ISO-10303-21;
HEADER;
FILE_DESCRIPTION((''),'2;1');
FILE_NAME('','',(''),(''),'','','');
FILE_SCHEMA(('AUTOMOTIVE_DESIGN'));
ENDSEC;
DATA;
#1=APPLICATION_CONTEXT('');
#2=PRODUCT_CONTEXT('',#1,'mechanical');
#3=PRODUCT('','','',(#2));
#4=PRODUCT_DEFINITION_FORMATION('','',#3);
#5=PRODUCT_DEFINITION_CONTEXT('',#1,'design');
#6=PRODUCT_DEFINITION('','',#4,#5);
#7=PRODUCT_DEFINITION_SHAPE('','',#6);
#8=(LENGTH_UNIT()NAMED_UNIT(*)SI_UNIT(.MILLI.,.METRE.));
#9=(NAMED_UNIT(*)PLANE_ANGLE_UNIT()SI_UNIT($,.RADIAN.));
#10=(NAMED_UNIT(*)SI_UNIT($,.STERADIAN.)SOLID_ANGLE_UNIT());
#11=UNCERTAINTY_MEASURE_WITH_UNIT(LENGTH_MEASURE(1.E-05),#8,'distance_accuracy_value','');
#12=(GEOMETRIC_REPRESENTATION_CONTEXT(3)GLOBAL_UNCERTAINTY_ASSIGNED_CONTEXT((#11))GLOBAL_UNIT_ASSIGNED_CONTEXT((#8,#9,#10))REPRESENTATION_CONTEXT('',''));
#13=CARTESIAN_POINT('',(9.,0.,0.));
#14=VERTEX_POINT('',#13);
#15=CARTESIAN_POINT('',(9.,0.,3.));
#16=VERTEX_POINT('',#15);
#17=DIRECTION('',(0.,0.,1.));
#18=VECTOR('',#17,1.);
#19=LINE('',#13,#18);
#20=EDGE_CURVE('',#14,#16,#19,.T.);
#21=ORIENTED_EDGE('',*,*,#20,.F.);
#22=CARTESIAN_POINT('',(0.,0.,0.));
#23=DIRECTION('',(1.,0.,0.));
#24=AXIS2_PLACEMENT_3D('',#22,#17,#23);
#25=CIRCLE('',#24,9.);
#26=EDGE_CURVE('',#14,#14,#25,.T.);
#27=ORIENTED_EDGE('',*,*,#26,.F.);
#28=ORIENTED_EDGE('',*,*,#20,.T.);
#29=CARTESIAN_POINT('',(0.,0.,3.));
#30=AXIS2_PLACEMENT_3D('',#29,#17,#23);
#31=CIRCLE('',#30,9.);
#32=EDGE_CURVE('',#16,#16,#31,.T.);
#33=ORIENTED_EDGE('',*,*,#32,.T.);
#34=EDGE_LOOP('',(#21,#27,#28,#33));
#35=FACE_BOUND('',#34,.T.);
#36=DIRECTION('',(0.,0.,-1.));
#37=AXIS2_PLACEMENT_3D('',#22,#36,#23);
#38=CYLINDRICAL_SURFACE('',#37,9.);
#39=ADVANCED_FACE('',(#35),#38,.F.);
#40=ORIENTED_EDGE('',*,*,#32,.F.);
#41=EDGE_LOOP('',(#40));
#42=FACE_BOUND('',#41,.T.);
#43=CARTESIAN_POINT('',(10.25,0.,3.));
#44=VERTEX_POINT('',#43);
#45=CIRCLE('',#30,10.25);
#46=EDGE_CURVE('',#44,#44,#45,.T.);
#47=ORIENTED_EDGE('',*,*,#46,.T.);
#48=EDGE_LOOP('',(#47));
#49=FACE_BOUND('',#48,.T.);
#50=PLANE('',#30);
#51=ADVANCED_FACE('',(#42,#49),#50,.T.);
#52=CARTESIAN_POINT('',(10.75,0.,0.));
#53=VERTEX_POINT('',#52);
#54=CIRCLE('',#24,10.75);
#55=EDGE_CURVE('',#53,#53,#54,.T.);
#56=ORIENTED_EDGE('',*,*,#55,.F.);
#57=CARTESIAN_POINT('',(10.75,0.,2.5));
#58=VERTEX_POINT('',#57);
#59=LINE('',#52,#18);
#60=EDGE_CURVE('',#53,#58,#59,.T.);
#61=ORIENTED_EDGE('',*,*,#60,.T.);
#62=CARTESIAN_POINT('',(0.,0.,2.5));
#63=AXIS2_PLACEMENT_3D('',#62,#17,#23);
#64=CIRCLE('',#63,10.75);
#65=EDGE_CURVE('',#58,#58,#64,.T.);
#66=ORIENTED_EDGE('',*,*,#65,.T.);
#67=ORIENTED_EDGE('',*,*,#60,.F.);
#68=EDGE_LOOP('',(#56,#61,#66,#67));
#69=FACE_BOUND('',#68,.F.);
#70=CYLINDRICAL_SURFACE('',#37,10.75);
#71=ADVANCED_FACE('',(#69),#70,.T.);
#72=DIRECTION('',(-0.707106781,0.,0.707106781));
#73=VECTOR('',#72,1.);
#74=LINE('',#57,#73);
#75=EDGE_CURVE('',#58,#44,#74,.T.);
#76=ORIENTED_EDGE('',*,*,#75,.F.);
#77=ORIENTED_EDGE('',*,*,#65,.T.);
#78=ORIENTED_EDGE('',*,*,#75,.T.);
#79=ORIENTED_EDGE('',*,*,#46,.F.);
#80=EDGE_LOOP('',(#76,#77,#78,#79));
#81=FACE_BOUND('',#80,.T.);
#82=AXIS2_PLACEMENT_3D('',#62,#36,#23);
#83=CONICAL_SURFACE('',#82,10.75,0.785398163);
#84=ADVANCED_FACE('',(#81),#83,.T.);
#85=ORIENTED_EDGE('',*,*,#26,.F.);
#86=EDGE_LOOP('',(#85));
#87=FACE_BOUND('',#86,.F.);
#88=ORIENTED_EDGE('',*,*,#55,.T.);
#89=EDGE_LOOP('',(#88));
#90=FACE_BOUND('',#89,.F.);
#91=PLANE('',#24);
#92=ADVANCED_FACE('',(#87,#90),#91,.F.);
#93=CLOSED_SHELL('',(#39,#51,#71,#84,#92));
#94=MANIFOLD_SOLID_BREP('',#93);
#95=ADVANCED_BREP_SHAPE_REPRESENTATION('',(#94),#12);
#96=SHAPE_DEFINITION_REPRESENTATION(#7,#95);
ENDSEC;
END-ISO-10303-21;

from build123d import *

# Parameters (mm, degrees)
SKETCH_R     = 10.75
SKETCH_R_2   = 9
PAD_DEPTH    = 3
CHAMFER_SIZE = 0.5


with BuildPart() as part:
    # Sketch → Pad (new body)
    with BuildSketch(Plane.XY):
        Circle(SKETCH_R)
        Circle(SKETCH_R_2, mode=Mode.SUBTRACT)
    extrude(amount=PAD_DEPTH)

    # Chamfer
    chamfer_edges = [part.edges().sort_by_distance(p)[0] for p in [
        (-10.75, 0, 3),
    ]]
    chamfer(chamfer_edges, length=CHAMFER_SIZE)


solid = part.part
